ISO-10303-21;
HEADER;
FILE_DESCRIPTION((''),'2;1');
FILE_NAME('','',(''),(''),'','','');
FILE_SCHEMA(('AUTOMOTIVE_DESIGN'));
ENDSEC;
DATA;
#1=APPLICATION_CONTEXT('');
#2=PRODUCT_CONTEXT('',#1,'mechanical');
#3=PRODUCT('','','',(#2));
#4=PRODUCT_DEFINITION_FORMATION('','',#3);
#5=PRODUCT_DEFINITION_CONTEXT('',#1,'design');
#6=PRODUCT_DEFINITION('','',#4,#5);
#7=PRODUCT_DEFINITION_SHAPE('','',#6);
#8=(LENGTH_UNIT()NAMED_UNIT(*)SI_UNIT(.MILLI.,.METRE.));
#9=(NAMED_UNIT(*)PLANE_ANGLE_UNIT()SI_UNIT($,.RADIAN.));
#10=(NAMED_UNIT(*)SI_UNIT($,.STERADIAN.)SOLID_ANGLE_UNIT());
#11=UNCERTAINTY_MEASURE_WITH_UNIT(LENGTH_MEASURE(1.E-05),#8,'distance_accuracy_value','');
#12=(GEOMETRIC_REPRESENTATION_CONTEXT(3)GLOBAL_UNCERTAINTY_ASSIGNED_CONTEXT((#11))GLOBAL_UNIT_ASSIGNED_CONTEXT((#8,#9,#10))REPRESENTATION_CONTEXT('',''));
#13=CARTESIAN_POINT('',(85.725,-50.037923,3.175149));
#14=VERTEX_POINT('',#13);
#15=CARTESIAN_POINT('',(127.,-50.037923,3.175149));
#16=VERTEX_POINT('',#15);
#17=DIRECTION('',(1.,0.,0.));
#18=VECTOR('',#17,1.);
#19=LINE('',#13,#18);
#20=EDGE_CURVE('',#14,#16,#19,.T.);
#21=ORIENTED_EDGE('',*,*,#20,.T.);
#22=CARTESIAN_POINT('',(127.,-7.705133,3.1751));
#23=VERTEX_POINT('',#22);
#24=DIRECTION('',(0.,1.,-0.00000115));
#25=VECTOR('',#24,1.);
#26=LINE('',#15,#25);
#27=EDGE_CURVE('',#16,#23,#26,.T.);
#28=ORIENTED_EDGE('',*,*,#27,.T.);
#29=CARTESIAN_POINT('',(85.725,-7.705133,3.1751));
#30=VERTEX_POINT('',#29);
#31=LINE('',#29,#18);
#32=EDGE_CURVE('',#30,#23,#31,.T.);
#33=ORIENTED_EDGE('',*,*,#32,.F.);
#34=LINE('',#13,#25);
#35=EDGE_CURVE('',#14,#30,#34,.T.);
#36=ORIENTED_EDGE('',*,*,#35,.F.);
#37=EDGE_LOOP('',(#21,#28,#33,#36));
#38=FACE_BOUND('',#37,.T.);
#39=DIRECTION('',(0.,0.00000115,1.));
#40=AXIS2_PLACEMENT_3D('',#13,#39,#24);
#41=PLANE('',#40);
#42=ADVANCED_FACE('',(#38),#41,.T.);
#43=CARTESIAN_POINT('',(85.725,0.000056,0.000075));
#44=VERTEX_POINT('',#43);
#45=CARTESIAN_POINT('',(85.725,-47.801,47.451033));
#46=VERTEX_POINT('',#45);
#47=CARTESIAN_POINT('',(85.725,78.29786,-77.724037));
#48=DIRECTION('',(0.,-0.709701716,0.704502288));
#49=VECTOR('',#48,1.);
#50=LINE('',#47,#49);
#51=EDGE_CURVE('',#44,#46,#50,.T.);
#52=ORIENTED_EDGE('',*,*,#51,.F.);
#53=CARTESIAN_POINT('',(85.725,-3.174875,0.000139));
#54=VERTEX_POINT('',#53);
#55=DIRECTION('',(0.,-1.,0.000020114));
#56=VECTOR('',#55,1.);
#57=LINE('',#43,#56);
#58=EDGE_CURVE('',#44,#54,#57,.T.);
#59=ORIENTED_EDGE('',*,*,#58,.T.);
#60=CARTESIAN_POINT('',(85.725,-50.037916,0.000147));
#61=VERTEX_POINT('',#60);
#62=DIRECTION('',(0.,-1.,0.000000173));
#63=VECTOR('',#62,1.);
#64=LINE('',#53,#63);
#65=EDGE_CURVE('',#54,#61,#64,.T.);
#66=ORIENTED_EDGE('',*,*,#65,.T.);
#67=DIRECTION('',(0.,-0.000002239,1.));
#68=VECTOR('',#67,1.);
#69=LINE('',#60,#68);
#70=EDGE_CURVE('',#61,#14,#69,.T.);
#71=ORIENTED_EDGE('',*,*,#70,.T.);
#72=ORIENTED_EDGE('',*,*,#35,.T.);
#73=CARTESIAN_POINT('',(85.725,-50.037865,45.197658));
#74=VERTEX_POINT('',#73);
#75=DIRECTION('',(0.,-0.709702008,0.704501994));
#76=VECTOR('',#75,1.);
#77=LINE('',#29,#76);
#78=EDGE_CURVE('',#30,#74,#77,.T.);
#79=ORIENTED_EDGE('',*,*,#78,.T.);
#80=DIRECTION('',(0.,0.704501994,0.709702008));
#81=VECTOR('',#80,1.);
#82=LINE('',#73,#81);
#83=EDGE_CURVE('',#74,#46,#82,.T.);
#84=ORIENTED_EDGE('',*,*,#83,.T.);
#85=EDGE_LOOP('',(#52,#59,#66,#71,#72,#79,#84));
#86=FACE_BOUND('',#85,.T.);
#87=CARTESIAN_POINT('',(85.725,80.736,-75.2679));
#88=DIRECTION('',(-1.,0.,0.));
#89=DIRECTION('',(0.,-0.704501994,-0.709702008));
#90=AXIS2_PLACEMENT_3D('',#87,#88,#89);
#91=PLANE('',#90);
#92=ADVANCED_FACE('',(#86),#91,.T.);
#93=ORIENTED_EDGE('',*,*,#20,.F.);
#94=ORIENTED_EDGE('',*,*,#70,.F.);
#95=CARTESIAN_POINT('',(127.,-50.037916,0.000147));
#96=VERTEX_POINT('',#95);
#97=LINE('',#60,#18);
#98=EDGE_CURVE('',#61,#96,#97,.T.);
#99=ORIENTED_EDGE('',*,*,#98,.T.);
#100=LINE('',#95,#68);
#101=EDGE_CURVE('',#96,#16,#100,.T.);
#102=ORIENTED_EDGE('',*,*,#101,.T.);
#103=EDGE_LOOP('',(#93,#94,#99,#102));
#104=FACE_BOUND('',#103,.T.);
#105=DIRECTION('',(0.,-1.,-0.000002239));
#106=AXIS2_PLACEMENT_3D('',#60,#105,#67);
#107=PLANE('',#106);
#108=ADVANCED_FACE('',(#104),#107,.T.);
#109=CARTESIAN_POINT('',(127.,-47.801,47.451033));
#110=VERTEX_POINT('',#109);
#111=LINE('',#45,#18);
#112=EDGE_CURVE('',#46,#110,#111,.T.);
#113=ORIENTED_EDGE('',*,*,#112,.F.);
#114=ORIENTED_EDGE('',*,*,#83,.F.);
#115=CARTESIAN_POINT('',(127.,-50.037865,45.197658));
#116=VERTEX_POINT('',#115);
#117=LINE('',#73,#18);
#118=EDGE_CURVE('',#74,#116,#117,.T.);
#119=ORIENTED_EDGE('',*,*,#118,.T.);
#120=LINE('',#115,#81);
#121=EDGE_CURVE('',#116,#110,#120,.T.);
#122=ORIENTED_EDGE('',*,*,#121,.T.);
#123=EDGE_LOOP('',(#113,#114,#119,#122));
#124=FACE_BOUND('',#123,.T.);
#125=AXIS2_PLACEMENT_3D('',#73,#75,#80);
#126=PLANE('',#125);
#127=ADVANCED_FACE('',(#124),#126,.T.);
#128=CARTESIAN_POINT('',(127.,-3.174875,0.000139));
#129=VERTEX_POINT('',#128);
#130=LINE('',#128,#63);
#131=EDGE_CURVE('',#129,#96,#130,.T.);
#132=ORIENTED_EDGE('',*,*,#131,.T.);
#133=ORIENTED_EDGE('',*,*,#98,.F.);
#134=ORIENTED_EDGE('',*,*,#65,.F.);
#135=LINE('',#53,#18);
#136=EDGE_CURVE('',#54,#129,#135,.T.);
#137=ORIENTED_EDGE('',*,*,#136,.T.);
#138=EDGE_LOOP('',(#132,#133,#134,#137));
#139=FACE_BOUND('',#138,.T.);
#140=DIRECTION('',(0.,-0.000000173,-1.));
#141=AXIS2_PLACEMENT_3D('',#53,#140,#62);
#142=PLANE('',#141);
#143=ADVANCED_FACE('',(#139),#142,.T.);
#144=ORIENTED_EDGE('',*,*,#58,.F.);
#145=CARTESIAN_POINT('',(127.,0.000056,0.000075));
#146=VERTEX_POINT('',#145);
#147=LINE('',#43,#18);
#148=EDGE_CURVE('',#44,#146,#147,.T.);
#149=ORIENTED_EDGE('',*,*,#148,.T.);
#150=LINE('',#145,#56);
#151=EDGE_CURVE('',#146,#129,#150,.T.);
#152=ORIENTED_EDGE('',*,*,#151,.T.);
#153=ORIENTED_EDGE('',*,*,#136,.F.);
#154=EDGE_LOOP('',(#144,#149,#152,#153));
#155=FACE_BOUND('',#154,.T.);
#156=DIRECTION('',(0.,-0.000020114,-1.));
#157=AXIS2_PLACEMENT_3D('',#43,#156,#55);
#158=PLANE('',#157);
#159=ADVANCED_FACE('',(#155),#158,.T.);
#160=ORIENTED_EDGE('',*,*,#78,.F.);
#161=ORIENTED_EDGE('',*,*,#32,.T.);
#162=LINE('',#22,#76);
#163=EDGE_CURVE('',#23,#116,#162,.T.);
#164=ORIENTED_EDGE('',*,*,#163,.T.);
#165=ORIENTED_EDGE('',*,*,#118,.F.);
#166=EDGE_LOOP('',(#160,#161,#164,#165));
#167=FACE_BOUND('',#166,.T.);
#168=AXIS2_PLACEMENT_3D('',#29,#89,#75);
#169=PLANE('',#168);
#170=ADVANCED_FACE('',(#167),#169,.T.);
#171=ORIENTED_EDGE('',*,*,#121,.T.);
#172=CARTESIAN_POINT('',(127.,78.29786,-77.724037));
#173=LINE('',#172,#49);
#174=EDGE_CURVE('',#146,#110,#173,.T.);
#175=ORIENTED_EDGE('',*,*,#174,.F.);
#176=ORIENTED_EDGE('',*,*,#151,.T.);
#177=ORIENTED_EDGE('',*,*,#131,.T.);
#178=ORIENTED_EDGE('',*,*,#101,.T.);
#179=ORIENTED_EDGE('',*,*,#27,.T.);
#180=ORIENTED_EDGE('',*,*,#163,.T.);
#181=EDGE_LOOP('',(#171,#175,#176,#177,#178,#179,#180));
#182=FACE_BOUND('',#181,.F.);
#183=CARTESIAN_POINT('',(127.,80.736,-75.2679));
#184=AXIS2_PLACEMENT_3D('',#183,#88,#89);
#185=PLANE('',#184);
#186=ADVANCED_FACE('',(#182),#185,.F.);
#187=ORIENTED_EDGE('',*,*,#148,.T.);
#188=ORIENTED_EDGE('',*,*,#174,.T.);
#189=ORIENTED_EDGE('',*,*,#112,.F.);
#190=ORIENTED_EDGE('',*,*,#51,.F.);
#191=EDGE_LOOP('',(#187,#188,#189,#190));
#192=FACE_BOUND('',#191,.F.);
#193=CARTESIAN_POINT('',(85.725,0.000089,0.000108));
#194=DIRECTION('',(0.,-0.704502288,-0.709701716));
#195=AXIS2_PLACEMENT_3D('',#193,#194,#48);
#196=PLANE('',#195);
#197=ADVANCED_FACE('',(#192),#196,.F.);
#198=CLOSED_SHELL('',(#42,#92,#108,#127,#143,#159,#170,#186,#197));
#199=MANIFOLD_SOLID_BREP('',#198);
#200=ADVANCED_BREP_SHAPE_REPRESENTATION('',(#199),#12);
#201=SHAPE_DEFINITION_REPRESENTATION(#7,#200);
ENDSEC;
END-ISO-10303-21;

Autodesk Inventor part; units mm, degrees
ref_plane "YZ Plane" through (0, 0, 0) normal (1, 0, 0) x (0, 1, 0)
ref_plane "XZ Plane" through (0, 0, 0) normal (0, 1, 0) x (-1, 0, 0)
ref_plane "Work Plane1" through (85.725, 80.736, -75.2679) normal (-1, 0, 0) x (0, -0.7045, -0.7097)
sketch "Sketch1" plane through (85.725, 80.736, -75.2679) normal (-1, 0, 0) x (0, -0.7045, -0.7097)
  line L0 (3.4608, 0) -> (3.4607, 241.3) projected
  line L1 (5.6975, 112.5782) -> (38.7126, 145.837) projected
  line L2 (3.4608, 110.3249) -> (5.6975, 112.5782) projected
  line L3 (38.7126, 145.837) -> (36.4593, 148.0738)
  line L4 (36.4593, 148.0738) -> (6.6358, 118.0301)
  line L5 (6.6358, 118.0301) -> (6.6358, 177.6787)
  line L6 (6.6358, 177.6787) -> (3.4607, 177.6787)
  line L7 (3.4607, 177.6787) -> (3.4608, 110.3249)
  line L8 (3.4608, 110.3249) -> (38.7126, 145.837)
  dimension "d0" = 3.175
  dimension "d1" = 3.175
extrude "Extrusion1" add sketch "Sketch1" against normal blind 41.275
properties part number "Support"
